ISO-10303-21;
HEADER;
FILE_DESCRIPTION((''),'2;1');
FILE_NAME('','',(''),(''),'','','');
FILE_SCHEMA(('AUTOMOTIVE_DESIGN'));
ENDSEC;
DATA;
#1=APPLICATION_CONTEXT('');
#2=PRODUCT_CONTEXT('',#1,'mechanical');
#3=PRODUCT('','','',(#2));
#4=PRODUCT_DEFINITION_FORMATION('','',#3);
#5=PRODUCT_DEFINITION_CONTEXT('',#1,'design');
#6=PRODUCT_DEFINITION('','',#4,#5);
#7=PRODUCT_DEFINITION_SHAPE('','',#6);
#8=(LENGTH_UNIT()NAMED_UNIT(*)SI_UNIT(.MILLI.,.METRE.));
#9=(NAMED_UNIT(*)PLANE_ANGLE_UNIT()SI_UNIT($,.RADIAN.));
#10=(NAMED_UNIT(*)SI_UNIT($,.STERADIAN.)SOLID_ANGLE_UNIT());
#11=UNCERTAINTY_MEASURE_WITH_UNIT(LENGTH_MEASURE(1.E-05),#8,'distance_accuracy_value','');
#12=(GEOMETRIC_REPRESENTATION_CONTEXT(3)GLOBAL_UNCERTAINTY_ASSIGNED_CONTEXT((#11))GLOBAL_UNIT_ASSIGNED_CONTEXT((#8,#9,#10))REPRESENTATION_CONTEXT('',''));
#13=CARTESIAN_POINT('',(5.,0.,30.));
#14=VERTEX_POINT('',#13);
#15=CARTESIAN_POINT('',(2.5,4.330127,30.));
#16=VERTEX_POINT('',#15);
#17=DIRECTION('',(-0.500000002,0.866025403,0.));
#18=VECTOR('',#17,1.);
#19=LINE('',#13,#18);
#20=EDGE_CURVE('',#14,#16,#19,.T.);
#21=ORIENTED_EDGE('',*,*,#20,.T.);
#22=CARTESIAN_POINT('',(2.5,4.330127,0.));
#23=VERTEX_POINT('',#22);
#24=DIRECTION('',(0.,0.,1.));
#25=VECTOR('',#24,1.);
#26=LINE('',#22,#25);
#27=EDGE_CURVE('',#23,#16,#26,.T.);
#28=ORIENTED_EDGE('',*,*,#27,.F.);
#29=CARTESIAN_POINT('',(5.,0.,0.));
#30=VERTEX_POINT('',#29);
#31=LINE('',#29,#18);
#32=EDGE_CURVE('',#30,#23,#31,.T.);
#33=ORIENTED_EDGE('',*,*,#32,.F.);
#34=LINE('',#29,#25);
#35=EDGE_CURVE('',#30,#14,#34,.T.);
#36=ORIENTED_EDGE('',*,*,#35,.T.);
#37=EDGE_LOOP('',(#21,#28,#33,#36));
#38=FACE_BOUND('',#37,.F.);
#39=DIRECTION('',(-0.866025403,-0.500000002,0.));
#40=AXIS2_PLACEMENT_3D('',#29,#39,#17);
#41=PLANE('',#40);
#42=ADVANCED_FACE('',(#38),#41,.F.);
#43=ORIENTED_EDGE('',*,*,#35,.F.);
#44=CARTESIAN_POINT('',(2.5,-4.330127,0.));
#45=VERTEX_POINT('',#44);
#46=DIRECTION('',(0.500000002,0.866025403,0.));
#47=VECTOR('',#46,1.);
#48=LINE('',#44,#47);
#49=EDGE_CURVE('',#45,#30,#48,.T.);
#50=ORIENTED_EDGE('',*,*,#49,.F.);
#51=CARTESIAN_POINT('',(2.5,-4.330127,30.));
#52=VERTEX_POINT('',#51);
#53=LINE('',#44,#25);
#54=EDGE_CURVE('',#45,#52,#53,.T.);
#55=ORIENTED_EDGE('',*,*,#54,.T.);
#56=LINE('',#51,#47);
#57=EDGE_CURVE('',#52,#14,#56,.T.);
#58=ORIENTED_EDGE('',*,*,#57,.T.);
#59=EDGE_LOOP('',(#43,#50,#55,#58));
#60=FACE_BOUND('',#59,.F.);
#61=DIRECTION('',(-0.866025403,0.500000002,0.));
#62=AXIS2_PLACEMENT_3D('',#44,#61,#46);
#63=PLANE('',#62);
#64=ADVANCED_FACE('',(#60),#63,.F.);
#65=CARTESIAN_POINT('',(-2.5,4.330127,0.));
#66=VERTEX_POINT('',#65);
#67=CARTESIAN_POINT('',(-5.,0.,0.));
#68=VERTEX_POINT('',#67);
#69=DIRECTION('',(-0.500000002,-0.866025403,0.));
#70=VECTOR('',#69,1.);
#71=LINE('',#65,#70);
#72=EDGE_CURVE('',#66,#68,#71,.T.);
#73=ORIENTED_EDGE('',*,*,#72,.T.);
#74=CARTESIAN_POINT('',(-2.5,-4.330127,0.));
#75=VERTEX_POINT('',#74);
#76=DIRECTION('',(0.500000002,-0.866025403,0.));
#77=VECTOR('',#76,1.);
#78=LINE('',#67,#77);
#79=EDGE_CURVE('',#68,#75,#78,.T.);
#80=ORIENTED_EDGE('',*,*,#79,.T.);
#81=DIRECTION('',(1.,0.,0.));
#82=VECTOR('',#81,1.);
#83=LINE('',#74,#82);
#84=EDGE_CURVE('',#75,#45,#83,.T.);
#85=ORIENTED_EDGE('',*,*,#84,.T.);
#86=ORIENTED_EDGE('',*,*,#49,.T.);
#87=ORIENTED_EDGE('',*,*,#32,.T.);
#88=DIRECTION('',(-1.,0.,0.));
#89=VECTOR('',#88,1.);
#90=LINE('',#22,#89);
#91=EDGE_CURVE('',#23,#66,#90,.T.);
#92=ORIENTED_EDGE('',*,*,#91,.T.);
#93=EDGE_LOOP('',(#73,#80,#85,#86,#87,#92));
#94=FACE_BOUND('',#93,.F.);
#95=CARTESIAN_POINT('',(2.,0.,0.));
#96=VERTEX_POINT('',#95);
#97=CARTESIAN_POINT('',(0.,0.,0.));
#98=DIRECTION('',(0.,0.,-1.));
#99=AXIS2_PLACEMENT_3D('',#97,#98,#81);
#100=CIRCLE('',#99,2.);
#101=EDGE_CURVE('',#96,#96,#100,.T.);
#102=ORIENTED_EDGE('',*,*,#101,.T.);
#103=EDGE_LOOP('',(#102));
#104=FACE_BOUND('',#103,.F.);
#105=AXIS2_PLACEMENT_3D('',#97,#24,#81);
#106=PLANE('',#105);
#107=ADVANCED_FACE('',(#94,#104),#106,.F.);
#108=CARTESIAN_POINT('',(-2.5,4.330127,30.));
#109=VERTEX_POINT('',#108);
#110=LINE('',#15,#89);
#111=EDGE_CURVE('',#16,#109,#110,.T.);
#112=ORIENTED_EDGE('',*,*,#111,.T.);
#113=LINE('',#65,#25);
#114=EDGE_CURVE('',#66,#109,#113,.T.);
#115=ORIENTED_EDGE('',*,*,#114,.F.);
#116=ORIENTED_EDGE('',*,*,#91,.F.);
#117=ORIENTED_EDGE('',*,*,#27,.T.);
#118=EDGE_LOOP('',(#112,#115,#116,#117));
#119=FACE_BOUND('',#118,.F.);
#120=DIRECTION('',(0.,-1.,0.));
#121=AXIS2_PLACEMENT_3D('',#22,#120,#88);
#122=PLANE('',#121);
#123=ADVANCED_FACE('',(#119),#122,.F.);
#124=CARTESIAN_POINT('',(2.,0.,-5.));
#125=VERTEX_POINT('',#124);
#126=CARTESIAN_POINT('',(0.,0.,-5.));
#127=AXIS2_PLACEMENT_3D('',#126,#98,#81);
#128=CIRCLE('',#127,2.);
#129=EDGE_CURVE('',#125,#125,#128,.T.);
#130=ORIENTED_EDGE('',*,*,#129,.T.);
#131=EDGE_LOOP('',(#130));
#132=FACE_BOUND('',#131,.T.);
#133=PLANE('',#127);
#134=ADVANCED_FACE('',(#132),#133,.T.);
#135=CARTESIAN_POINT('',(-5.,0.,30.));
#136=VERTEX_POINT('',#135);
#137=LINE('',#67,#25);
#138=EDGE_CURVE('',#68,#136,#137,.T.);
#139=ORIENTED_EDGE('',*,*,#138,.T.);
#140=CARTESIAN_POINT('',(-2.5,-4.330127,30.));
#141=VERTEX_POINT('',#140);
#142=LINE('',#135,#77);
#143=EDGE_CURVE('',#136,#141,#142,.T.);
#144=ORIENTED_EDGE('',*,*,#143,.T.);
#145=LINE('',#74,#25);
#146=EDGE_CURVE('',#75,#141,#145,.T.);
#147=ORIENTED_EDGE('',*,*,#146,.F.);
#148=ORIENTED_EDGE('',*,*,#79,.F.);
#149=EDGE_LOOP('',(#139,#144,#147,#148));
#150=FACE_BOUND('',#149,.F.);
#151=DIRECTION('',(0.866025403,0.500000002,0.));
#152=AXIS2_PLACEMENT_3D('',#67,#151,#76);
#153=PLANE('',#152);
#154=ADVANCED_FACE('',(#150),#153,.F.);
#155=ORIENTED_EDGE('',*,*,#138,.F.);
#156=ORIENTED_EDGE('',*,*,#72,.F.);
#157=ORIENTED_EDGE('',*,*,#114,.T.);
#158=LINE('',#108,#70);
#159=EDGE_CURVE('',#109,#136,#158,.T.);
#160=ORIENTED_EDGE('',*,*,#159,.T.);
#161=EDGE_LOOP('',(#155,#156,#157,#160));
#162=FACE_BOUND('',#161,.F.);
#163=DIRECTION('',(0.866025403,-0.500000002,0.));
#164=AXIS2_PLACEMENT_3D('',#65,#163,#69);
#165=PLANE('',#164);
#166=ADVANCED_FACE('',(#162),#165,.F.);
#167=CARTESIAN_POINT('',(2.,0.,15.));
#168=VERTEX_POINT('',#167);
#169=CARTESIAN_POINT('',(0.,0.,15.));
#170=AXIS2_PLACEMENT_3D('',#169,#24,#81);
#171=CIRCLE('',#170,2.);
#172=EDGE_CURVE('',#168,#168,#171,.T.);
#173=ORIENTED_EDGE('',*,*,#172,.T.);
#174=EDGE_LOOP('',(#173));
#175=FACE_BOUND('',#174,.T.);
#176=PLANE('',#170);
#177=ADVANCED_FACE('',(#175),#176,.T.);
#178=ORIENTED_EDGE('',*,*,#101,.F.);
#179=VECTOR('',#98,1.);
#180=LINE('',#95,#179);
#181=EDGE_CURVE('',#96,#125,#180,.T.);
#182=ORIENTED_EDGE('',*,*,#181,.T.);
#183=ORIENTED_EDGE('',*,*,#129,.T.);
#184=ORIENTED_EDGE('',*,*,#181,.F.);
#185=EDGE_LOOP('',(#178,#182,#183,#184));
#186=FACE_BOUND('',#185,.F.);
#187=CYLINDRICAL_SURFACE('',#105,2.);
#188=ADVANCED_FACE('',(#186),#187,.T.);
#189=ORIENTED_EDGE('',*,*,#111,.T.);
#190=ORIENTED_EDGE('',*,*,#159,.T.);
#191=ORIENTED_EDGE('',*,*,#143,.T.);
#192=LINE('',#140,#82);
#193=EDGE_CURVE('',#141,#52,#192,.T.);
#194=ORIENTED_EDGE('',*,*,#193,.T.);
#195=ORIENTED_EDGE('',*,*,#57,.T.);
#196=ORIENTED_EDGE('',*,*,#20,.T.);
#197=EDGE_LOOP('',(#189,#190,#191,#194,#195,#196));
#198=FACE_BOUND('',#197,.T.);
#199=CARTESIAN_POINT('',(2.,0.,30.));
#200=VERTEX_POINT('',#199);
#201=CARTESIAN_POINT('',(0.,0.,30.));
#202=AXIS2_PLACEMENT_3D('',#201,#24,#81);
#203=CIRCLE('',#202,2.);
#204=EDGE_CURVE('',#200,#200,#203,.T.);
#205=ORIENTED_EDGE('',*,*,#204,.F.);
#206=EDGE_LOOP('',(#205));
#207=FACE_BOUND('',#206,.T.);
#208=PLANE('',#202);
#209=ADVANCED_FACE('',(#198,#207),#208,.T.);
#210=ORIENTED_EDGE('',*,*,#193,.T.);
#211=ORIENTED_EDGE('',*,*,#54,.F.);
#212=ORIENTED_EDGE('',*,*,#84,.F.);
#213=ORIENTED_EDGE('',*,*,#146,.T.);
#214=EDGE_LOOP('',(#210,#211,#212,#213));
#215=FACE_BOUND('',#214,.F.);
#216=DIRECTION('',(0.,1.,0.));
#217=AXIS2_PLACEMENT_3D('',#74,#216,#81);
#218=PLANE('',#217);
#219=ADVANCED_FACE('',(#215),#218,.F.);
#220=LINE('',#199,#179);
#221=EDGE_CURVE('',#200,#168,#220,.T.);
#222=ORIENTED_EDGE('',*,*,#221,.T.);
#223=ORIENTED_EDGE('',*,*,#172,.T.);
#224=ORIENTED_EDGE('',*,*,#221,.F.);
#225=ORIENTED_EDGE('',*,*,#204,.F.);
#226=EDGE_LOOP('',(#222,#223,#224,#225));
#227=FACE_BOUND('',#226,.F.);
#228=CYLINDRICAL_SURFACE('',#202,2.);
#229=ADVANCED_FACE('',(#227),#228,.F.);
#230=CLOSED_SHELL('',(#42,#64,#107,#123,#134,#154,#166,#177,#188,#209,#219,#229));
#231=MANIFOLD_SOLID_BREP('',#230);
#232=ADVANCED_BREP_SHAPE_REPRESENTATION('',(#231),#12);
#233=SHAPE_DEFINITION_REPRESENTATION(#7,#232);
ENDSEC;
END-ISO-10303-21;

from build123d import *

# Parameters (mm, degrees)
EXTRUDE002_DEPTH = 30
SKETCH010_R      = 2
POCKET002_DEPTH  = 15
SKETCH011_R      = 2
EXTRUDE004_DEPTH = 5


with BuildPart() as pocket002:
    # Sketch008 → Extrude002 (new body)
    with BuildSketch(Plane.XY):
        Polygon((5, 0), (2.5, 4.330127), (-2.5, 4.330127), (-5, 0), (-2.5, -4.330127), (2.5, -4.330127), align=None)
    extrude(amount=EXTRUDE002_DEPTH)

    # Sketch010 → Pocket002 (cut)
    with BuildSketch(Plane.XY.offset(30)):
        Circle(SKETCH010_R)
    extrude(amount=-POCKET002_DEPTH, mode=Mode.SUBTRACT)


with BuildPart() as stendoffmodel:
    # Sketch011 → Extrude004 (new body)
    with BuildSketch(Plane(origin=(0, 0, 0), x_dir=(1, 0, 0), z_dir=(0, 0, -1))):
        Circle(SKETCH011_R)
    extrude(amount=EXTRUDE004_DEPTH)

    # Fusion: union Pocket002
    add(pocket002.part)


solid = stendoffmodel.part
